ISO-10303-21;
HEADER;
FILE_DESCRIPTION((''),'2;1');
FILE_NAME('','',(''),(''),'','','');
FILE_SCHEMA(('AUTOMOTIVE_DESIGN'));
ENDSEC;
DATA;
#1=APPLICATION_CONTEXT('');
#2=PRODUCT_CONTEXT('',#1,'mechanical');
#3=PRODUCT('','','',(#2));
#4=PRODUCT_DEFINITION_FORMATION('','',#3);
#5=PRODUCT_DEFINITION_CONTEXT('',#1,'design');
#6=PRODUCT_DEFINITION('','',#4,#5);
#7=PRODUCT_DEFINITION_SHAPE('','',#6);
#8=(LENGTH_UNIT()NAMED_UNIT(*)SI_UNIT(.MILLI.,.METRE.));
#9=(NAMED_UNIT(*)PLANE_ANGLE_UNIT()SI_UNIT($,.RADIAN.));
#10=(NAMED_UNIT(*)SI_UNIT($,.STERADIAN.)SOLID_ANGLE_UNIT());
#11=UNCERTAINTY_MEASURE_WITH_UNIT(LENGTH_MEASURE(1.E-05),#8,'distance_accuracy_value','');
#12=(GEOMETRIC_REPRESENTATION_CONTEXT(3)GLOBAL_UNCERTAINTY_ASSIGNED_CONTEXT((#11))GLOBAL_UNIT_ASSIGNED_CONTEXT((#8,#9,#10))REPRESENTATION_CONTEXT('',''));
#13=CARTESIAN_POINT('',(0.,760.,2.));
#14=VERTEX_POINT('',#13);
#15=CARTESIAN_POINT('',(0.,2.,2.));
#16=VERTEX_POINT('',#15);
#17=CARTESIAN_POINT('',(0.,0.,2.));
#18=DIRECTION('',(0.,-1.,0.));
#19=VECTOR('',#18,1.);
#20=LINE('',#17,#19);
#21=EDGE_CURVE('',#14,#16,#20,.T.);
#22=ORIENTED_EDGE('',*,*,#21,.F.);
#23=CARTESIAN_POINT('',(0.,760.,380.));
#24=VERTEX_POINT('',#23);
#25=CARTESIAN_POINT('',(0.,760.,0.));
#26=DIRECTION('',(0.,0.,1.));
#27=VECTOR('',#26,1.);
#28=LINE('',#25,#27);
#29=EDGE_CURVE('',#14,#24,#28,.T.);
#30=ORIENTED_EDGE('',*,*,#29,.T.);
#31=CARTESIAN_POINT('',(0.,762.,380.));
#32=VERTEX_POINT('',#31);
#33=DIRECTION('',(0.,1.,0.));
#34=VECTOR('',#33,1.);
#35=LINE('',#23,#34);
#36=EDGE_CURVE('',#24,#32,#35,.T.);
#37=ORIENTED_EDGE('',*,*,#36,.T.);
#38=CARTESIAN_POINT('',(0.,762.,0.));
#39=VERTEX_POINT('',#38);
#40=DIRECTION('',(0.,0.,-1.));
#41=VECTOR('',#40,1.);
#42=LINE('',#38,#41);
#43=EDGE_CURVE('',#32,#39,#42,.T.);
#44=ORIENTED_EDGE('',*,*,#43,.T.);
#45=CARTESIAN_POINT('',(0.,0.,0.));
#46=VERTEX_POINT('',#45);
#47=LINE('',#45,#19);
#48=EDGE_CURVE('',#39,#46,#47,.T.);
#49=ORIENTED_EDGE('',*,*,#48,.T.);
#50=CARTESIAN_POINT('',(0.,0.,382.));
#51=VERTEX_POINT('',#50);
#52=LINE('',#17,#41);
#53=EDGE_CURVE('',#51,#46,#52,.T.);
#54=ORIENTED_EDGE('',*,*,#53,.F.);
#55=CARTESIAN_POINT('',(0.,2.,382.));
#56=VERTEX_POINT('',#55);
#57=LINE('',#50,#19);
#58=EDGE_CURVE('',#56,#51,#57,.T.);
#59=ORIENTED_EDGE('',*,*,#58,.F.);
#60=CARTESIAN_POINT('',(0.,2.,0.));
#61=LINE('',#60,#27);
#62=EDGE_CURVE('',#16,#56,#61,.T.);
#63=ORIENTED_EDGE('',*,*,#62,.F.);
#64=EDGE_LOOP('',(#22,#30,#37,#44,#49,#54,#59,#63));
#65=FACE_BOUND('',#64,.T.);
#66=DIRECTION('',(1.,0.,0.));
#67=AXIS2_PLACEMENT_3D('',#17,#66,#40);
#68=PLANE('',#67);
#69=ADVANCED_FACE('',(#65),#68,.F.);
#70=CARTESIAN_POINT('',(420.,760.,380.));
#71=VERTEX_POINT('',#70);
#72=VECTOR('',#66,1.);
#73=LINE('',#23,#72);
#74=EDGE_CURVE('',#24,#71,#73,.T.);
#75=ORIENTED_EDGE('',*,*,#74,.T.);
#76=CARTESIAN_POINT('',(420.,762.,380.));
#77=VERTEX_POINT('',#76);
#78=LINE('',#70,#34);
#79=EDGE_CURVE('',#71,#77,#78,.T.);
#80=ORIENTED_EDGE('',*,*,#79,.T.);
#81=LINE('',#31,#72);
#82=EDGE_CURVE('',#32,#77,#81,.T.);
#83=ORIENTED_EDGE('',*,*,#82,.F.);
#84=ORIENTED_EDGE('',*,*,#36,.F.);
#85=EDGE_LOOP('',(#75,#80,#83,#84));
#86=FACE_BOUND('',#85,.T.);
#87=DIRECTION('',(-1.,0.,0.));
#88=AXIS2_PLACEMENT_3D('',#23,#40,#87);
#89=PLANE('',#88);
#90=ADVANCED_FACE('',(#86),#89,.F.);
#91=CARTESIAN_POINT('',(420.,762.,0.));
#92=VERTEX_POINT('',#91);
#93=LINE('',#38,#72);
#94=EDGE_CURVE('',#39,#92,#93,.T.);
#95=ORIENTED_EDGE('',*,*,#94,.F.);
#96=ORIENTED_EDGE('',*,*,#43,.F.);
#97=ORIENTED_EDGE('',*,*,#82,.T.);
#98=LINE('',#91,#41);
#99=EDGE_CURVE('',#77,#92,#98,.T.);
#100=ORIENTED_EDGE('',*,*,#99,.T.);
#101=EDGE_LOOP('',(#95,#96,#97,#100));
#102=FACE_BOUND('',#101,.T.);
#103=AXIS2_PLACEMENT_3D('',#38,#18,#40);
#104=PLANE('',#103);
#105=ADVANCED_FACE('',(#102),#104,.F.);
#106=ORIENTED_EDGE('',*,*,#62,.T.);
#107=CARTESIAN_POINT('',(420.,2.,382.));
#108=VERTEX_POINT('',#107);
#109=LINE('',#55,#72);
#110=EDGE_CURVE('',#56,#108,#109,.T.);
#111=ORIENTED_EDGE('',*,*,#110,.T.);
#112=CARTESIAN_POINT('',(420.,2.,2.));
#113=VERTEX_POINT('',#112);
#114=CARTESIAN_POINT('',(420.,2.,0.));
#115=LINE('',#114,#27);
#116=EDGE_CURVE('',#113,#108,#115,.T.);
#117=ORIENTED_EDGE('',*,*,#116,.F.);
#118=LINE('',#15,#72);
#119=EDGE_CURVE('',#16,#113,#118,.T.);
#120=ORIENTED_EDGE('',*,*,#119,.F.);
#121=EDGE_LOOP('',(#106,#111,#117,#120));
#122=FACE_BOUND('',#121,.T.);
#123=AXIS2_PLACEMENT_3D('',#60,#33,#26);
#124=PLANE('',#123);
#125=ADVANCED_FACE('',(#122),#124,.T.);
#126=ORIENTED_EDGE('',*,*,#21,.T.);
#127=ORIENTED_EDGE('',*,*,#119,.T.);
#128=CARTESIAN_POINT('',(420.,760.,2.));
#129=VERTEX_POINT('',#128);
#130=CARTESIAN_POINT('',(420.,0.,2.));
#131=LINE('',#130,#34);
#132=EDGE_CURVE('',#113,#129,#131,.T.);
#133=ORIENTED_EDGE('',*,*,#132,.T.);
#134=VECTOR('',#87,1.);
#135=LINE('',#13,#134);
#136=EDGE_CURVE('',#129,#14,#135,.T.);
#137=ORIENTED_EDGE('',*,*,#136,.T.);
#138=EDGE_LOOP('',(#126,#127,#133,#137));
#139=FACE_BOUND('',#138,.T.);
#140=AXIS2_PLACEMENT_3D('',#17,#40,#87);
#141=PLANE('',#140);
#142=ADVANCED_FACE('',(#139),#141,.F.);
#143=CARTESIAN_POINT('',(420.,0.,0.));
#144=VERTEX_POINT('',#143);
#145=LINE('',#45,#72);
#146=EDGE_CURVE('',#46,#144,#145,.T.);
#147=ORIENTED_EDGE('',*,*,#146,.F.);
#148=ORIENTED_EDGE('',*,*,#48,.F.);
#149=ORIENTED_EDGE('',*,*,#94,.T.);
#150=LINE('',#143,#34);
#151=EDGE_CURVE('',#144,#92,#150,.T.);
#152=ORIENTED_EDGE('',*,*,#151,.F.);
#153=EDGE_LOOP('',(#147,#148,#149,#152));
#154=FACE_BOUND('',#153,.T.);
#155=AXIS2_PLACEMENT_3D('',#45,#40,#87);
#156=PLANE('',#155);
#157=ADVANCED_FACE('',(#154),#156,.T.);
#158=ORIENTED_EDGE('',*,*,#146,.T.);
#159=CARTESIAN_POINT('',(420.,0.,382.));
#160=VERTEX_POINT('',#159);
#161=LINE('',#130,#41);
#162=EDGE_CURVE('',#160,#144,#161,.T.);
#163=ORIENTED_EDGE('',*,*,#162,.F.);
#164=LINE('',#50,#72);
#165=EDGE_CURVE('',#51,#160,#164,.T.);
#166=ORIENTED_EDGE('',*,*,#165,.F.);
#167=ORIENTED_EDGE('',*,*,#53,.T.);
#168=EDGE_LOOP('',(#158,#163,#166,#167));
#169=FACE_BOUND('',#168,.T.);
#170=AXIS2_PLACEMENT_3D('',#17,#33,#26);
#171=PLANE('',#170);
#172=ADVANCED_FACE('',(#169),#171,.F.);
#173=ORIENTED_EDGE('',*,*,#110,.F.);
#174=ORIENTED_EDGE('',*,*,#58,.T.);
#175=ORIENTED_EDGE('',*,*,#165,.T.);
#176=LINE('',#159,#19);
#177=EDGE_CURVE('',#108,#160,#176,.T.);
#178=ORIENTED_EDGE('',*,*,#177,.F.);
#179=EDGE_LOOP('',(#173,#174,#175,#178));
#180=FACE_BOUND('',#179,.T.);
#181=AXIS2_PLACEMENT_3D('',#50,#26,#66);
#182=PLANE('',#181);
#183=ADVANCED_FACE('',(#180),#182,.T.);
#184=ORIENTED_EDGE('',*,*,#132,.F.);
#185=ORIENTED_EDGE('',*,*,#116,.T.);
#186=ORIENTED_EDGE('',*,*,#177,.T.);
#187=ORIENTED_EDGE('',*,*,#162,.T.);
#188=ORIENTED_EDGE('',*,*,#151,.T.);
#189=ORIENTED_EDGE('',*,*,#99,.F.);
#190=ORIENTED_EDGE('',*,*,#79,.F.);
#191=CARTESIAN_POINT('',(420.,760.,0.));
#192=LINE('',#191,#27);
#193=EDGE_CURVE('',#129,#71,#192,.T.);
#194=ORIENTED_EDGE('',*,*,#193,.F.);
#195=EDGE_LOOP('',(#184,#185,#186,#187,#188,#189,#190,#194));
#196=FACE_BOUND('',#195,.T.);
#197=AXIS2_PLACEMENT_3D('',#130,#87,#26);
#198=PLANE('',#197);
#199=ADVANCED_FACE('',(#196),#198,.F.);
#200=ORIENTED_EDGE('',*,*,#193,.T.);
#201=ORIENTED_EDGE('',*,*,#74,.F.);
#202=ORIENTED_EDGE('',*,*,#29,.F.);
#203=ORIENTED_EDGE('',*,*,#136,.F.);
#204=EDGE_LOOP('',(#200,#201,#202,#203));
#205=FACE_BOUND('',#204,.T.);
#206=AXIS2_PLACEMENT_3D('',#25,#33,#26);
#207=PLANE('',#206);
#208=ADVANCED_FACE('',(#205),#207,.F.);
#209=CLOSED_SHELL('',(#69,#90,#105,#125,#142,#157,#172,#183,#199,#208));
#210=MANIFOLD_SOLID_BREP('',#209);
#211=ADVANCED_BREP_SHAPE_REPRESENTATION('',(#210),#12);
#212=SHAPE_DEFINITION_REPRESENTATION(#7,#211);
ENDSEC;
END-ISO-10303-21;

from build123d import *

# Parameters (mm, degrees)
SKETCH3_W           = 420
SKETCH3_H           = 760
BOSS_EXTRUDE1_DEPTH = 2
SKETCH7_W           = 380
SKETCH7_H           = 2
BOSS_EXTRUDE2_DEPTH = 420
SKETCH9_W           = 382
SKETCH9_H           = 2
BOSS_EXTRUDE3_DEPTH = 420


with BuildPart() as part:
    # Sketch3 → Boss-Extrude1 (new body)
    with BuildSketch(Plane.XY):
        with Locations((210, 380)):
            Rectangle(SKETCH3_W, SKETCH3_H)
    extrude(amount=BOSS_EXTRUDE1_DEPTH)

    # Sketch7 → Boss-Extrude2 (add)
    with BuildSketch(Plane(origin=(420, 760, 0), x_dir=(0, 0, 1), z_dir=(-1, 0, 0))):
        with Locations((190, 1)):
            Rectangle(SKETCH7_W, SKETCH7_H)
    extrude(amount=BOSS_EXTRUDE2_DEPTH)

    # Sketch9 → Boss-Extrude3 (add)
    with BuildSketch(Plane(origin=(420, 0, 2), x_dir=(0, 0, -1), z_dir=(1, 0, 0))):
        with Locations((-189, 1)):
            Rectangle(SKETCH9_W, SKETCH9_H)
    extrude(amount=-BOSS_EXTRUDE3_DEPTH)


solid = part.part
